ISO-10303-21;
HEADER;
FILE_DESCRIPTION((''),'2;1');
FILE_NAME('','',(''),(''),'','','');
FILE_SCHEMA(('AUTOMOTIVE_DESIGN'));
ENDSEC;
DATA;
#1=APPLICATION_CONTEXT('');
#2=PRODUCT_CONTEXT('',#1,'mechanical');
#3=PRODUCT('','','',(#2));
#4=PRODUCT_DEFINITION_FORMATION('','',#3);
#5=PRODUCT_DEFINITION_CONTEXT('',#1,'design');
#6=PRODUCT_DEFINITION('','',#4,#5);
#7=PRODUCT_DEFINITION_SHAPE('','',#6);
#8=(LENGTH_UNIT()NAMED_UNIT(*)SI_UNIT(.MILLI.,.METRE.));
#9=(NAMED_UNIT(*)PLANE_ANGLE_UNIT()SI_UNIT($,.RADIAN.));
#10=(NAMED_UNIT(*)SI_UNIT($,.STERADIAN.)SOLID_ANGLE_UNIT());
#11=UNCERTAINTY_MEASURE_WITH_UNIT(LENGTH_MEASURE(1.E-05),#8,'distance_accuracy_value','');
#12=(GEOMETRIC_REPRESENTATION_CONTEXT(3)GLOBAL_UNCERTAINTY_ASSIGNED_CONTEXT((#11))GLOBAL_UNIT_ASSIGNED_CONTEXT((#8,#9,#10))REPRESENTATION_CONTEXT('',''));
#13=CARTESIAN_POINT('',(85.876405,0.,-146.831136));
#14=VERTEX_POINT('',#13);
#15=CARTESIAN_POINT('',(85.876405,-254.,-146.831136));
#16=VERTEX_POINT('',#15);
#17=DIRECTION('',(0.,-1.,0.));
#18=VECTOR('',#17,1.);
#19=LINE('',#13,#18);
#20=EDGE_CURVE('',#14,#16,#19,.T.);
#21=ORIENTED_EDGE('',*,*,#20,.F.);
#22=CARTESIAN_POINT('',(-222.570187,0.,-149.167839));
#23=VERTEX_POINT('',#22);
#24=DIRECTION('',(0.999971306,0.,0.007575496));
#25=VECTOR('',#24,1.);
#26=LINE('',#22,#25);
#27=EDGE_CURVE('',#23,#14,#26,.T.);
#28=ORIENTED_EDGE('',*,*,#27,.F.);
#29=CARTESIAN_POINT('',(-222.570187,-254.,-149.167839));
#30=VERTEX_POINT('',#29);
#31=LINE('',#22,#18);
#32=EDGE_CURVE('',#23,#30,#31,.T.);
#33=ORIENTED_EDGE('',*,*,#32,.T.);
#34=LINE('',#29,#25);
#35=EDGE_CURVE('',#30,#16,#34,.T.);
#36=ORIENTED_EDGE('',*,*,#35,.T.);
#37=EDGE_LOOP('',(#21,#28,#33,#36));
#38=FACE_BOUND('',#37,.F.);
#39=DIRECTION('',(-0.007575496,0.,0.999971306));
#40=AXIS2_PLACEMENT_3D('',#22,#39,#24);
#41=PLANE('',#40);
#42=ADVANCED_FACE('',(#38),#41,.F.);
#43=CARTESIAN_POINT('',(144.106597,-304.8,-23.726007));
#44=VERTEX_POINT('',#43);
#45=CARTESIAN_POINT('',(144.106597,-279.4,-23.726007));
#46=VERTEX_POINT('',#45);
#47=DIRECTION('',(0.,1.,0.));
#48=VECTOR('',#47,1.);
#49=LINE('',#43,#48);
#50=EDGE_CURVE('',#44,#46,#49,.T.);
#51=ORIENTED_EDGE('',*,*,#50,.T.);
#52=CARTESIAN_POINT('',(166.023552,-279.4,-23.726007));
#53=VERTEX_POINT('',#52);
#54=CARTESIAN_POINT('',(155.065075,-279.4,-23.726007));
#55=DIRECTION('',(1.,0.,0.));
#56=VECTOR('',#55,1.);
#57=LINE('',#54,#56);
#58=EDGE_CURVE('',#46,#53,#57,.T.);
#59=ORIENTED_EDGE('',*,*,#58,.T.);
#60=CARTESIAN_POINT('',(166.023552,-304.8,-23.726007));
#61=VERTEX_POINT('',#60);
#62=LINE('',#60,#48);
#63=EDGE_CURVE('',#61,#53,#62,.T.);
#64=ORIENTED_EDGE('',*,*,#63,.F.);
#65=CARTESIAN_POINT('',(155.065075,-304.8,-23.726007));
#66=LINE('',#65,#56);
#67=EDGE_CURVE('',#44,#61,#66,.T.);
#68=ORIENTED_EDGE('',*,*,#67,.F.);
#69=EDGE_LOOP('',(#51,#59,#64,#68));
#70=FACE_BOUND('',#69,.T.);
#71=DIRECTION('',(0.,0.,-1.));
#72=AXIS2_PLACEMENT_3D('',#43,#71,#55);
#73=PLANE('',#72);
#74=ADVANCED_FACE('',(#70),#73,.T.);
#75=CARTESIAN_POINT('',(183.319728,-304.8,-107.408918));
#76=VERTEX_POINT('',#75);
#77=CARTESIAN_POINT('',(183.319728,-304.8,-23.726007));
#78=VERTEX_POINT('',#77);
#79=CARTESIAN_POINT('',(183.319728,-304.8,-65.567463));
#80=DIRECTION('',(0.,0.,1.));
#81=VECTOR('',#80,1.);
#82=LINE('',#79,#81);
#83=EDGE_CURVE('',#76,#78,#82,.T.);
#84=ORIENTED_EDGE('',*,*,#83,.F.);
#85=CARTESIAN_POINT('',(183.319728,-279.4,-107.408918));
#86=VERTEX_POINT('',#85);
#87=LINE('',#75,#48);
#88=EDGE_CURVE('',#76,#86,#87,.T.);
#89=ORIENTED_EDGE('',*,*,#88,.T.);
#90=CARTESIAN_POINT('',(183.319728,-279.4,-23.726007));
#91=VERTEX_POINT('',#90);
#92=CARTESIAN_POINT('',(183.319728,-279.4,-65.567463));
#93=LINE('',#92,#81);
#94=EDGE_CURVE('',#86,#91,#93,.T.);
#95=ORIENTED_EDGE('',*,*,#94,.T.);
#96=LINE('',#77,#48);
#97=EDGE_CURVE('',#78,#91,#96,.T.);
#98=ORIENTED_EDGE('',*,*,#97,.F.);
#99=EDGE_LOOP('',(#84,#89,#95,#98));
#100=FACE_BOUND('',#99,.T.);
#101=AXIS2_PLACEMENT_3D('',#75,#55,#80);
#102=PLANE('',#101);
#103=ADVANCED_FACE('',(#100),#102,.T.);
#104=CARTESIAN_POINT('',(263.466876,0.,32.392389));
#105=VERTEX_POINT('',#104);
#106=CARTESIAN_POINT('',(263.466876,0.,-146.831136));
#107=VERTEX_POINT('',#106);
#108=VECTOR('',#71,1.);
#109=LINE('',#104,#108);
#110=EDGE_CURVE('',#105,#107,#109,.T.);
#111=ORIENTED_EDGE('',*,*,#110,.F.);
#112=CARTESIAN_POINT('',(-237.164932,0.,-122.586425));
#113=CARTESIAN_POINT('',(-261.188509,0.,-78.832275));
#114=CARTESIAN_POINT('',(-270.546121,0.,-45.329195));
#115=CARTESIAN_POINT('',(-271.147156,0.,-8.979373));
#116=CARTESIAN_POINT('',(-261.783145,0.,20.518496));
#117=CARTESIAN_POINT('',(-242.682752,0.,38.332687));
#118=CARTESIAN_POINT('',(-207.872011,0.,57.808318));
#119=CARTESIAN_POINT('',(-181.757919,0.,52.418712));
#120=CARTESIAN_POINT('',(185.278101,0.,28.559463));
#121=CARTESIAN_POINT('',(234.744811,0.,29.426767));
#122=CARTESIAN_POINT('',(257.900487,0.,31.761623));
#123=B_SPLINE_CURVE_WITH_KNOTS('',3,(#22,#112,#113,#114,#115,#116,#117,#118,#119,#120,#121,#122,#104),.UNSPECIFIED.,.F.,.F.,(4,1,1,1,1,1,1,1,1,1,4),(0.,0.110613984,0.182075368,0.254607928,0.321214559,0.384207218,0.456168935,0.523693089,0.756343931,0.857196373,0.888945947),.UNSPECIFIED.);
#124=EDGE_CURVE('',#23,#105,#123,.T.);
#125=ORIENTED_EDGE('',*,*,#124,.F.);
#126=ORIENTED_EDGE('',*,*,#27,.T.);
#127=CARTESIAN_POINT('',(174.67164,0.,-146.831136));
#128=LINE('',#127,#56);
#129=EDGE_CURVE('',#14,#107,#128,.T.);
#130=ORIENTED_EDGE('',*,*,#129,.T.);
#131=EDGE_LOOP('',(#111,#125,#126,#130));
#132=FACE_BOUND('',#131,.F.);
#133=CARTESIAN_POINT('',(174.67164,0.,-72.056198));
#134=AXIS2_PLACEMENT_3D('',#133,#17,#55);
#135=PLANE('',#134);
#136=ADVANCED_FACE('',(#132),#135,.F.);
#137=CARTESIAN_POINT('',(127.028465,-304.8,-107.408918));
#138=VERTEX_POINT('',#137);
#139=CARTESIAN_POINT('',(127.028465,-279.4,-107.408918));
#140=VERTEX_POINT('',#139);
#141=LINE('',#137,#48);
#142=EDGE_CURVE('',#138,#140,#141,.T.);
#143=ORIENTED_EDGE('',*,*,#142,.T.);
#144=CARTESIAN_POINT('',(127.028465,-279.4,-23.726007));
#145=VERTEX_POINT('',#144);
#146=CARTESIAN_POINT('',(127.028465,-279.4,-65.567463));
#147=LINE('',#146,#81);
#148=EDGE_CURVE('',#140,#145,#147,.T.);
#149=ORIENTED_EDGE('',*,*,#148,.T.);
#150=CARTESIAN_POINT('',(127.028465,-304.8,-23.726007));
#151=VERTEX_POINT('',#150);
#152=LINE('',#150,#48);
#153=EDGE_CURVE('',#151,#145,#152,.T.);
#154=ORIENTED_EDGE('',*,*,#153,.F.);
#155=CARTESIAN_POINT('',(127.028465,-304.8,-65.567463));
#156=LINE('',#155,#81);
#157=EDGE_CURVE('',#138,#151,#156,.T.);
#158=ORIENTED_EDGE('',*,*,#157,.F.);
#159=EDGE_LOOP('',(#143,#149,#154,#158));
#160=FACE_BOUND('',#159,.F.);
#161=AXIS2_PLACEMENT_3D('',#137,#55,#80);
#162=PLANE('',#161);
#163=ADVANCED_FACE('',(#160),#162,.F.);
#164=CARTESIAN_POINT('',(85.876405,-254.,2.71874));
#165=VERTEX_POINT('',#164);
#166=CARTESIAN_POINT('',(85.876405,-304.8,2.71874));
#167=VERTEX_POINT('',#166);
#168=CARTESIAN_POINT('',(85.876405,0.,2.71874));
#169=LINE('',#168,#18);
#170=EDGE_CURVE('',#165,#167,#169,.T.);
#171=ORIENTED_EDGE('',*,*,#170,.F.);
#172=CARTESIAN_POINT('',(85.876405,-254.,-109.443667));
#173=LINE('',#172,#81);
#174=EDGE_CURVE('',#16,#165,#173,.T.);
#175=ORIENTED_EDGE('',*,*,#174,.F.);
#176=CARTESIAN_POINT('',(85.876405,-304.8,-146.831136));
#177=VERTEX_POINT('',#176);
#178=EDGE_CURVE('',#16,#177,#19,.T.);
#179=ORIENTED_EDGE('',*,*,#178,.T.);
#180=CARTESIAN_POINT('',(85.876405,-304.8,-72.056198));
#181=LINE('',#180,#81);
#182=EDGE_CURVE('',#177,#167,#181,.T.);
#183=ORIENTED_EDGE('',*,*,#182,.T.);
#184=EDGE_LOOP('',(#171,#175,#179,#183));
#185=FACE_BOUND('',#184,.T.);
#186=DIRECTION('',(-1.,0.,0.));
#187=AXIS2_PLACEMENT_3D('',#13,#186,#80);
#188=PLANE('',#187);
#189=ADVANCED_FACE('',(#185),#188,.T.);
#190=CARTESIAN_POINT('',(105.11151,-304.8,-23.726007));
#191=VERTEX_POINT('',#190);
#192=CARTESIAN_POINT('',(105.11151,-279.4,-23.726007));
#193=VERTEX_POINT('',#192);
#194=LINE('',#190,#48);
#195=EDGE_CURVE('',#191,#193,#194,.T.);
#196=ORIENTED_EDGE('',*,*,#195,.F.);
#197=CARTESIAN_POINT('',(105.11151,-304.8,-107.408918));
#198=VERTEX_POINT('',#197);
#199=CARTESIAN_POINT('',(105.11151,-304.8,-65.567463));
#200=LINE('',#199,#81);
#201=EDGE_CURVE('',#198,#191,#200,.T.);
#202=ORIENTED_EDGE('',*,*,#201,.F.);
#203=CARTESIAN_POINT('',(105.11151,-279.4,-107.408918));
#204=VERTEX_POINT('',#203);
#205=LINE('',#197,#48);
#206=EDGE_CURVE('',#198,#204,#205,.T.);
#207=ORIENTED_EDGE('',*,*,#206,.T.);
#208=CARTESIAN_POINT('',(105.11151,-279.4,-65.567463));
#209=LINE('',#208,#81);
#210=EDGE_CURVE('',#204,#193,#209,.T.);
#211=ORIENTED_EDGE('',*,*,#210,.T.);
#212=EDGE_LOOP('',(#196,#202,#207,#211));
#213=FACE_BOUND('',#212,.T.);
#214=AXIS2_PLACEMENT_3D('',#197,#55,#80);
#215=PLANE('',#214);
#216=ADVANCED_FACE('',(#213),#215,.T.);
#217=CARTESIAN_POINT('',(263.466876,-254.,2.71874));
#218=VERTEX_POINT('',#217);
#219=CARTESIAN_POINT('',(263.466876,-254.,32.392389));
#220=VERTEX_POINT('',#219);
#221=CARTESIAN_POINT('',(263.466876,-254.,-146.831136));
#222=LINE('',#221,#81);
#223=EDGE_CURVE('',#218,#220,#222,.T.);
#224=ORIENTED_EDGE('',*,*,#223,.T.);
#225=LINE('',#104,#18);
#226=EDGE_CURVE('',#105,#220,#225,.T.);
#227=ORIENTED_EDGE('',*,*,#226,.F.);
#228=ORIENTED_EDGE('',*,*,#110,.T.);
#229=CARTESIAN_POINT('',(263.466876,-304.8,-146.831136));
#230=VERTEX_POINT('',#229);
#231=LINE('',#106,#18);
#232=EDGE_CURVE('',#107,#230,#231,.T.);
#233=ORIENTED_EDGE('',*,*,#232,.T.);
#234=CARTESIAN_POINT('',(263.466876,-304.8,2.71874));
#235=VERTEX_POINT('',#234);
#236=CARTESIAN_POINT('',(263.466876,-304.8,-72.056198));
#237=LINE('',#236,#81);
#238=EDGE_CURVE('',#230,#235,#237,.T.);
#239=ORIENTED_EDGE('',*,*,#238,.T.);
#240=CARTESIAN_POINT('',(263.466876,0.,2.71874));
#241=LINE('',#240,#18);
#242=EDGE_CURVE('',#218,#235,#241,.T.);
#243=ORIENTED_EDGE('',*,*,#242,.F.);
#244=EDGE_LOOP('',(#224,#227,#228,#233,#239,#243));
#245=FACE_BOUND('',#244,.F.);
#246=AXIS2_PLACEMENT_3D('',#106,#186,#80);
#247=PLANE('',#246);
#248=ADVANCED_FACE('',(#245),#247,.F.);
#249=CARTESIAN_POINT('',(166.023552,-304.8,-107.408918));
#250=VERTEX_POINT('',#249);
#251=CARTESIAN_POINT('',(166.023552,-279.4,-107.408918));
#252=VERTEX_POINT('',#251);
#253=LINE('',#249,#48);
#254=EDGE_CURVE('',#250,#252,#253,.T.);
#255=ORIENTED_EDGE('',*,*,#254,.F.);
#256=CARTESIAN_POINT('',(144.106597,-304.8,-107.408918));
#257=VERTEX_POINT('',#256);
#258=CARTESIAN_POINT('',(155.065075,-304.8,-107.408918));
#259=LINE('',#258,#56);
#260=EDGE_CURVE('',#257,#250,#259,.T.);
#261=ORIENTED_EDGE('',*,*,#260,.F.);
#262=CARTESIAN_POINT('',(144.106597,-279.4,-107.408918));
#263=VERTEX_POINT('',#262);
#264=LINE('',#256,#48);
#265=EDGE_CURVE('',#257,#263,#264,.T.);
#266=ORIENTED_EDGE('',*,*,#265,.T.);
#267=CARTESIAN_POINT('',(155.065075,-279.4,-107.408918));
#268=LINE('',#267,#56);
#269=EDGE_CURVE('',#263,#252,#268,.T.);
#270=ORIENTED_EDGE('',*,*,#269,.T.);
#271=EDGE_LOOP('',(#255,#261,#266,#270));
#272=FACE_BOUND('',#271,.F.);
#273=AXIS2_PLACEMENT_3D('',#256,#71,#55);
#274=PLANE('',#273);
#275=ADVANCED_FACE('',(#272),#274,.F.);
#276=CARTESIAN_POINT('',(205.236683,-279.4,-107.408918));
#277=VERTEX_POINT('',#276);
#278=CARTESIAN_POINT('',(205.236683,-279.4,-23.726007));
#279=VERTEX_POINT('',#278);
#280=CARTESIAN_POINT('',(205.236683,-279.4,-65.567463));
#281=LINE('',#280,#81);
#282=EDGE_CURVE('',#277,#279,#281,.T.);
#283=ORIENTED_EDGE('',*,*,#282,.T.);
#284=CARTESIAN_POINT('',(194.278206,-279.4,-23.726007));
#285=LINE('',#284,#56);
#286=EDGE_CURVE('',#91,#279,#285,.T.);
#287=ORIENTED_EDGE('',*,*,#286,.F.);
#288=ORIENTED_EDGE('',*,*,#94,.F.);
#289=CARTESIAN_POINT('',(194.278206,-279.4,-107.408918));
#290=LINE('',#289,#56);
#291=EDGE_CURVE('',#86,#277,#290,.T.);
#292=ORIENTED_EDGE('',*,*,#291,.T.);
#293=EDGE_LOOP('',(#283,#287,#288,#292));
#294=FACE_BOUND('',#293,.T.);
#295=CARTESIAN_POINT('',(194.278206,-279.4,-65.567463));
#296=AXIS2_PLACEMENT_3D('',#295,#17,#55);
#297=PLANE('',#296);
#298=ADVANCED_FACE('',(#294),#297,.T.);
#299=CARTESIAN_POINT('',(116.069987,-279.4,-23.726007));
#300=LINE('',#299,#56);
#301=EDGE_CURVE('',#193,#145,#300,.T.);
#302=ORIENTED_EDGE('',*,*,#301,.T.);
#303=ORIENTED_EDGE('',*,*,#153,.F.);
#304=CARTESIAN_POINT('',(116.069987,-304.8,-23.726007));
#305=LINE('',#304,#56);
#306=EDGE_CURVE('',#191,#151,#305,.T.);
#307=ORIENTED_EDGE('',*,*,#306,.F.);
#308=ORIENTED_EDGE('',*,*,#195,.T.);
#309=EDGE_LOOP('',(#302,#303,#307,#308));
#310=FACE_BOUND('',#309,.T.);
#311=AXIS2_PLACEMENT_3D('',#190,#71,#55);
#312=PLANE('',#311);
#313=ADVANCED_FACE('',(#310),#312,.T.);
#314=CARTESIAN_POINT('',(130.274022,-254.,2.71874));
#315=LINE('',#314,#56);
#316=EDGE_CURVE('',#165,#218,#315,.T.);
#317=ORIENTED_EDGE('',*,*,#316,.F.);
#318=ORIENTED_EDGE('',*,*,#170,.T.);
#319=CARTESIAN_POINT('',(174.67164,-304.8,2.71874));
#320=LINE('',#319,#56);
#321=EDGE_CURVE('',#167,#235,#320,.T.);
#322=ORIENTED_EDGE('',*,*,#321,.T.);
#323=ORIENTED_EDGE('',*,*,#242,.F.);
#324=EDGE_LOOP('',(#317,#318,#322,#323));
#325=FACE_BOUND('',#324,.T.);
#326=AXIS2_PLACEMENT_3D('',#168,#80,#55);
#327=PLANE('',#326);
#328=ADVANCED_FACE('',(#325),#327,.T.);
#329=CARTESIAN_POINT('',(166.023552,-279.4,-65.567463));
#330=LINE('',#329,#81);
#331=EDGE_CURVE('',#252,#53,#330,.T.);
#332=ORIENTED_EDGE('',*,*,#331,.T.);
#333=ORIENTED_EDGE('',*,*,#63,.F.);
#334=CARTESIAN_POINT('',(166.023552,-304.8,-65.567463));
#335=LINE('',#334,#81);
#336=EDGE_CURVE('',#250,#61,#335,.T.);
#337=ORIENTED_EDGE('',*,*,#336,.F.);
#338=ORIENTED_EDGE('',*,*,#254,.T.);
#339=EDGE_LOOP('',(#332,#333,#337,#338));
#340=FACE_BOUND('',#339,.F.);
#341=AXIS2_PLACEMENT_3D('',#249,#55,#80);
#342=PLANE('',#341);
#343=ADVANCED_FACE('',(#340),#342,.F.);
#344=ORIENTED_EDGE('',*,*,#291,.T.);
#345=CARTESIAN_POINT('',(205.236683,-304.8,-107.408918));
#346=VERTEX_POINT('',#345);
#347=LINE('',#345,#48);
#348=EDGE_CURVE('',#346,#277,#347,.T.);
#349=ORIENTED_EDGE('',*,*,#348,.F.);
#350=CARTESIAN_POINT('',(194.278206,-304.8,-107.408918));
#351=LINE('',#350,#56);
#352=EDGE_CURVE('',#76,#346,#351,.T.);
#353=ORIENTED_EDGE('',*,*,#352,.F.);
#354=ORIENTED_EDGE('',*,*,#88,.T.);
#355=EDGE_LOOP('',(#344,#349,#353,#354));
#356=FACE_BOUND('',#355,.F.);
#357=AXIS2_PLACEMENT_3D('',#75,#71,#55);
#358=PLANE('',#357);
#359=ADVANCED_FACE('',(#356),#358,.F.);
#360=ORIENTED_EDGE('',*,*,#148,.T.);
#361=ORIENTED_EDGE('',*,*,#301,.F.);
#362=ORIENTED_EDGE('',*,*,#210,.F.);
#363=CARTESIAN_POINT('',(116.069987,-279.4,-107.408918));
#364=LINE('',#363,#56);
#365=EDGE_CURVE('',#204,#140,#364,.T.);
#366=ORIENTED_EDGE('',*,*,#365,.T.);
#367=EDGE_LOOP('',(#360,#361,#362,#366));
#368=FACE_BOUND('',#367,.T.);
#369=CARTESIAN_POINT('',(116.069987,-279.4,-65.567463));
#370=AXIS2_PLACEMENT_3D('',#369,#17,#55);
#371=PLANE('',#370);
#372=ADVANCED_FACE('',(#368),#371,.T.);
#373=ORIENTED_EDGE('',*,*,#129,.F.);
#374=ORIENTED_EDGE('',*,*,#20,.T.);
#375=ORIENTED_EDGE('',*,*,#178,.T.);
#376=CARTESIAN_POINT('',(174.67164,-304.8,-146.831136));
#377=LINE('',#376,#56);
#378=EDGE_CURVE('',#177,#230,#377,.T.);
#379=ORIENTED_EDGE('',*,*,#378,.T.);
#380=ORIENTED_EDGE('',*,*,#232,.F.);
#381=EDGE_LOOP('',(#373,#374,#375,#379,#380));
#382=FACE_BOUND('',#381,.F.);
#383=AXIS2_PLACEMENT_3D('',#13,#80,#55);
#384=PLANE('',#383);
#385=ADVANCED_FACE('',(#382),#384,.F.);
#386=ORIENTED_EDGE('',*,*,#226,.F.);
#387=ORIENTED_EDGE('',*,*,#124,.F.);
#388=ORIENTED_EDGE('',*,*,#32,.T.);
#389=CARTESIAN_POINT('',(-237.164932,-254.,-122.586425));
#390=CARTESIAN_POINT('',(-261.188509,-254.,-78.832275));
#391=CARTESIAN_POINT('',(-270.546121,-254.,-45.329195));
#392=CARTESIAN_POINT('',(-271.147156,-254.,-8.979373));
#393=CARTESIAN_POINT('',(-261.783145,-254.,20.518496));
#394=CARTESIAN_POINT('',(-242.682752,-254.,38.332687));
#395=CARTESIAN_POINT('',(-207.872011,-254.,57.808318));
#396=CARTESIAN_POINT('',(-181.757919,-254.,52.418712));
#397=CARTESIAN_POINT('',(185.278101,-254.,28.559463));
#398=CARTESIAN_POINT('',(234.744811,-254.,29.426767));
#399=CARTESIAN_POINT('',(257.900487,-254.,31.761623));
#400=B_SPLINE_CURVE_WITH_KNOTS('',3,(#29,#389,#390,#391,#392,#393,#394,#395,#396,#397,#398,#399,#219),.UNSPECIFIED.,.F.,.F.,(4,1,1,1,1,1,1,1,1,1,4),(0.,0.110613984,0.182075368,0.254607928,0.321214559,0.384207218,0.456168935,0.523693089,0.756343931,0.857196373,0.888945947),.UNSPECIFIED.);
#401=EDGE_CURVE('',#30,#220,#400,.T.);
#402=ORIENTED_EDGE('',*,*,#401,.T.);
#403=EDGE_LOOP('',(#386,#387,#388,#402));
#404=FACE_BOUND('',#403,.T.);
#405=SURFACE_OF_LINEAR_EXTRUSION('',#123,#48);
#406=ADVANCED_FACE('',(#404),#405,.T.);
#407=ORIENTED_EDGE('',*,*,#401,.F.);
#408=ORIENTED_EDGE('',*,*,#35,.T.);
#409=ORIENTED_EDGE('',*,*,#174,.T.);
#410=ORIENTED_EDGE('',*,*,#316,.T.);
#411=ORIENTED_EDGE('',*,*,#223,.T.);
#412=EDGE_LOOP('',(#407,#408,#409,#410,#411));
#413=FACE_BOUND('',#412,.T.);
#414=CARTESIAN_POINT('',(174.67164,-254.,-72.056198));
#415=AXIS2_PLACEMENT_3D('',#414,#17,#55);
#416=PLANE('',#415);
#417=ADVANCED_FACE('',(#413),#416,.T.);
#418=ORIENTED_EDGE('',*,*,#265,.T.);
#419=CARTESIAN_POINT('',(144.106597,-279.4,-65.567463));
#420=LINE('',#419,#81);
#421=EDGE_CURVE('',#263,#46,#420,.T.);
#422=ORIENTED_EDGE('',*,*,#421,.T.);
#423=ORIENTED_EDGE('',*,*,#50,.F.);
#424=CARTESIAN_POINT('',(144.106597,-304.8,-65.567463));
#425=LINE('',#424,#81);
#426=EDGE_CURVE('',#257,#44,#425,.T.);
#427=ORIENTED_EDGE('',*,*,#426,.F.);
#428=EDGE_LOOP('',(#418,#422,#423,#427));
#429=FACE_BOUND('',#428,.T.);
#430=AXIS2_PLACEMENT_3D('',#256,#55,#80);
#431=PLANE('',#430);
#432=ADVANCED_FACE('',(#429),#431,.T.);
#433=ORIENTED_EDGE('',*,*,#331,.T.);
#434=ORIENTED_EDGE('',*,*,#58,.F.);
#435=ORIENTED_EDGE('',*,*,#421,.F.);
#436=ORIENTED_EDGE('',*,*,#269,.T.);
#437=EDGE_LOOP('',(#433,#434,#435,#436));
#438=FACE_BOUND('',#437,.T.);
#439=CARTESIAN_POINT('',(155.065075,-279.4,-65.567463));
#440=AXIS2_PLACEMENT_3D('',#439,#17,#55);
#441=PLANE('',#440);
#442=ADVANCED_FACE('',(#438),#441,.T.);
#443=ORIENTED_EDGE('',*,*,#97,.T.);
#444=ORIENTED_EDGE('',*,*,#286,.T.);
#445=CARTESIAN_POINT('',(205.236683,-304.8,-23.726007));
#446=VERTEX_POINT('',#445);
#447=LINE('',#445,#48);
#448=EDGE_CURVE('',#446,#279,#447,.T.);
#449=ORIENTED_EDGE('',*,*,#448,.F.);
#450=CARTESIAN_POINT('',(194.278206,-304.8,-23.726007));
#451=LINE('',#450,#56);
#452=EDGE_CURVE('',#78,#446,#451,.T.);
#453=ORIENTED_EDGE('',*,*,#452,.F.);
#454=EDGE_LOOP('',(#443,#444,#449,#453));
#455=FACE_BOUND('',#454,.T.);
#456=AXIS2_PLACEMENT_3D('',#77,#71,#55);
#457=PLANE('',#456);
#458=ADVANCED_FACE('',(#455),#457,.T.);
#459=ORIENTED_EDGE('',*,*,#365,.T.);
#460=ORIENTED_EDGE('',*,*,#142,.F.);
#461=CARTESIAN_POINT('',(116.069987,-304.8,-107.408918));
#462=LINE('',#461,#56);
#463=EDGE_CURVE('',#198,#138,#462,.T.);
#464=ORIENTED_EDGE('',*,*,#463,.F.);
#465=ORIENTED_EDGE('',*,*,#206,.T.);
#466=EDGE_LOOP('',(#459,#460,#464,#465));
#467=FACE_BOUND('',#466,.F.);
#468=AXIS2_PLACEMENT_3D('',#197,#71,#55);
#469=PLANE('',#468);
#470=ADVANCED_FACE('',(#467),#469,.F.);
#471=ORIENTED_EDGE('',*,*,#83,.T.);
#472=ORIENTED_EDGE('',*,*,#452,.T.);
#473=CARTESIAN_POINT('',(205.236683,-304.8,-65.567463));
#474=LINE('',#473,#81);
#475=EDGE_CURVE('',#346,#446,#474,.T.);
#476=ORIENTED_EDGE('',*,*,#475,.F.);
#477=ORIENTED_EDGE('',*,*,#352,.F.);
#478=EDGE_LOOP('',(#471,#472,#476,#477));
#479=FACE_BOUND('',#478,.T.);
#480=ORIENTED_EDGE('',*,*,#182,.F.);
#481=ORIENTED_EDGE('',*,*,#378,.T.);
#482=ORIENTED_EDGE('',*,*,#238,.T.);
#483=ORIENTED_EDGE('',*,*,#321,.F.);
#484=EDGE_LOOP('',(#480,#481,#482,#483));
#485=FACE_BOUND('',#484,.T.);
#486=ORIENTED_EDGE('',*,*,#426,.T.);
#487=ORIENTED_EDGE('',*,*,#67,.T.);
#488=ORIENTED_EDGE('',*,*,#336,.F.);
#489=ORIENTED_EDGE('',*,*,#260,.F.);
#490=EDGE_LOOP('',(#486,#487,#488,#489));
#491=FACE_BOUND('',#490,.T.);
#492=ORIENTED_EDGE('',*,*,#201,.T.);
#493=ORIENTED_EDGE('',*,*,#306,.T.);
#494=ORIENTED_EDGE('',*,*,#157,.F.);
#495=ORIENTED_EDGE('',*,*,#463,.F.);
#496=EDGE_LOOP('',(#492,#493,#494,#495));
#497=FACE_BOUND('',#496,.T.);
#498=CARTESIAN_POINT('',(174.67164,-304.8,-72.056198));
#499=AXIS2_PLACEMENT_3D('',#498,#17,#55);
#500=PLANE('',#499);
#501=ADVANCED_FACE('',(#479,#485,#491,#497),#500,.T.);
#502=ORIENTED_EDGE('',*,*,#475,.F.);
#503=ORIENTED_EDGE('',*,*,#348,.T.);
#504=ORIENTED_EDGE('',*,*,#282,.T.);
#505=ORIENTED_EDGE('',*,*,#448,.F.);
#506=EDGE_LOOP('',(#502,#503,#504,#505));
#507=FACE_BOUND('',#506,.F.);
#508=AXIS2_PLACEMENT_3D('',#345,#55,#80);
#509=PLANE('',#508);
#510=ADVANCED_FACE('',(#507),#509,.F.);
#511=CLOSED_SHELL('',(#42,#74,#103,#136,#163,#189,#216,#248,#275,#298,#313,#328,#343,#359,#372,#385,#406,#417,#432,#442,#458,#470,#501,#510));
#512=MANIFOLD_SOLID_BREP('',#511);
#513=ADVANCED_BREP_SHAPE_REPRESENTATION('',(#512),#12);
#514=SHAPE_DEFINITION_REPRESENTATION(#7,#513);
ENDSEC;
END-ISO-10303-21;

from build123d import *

# Parameters (mm, degrees)
F0_W     = 177.5904708945
F0_H     = 149.5498765648
F1_DEPTH = 304.8
F2_DEPTH = 254
F3_W     = 21.9169557095
F3_H     = 83.6829114705
F4_DEPTH = 25.4


with BuildPart() as f1:
    # F0 (on Front) → F1 (new body)
    with BuildSketch(Plane.XZ):
        with Locations((174.671640086, -72.056198139)):
            Rectangle(F0_W, F0_H)
    extrude(amount=F1_DEPTH)

    # F0 (on Front) → F2 (join)
    with BuildSketch(Plane.XZ):
        with Locations((174.671640086, -72.056198139)):
            Rectangle(F0_W, F0_H)
        with BuildLine():
            Line((-222.5701865075, -149.1678392356), (85.8764046388, -146.8311364214))
            Line((85.8764046388, -146.8311364214), (85.8764046388, 2.7187401434))
            Line((85.8764046388, 2.7187401434), (263.4668755333, 2.7187401434))
            Line((263.4668755333, 2.7187401434), (263.4668755333, 32.3923885882))
            add(Edge.make_bspline(
                [(-222.5701865075, -149.1678392356), (-237.1649315314, -122.5864247012), (-261.1885085736, -78.8322749085), (-270.5461214626, -45.329195318), (-271.1471556129, -8.9793729481), (-261.7831450842, 20.5184958854), (-242.6827523382, 38.3326869065), (-207.8720109483, 57.8083184954), (-181.757919158, 52.41871226), (185.278100925, 28.5594628417), (234.744810532, 29.426767301), (257.9004871398, 31.761622978), (263.4668755333, 32.3923885882)],
                knots=[0, 0, 0, 0, 0.1106139844, 0.1820753683, 0.2546079281, 0.3212145586, 0.3842072182, 0.4561689355, 0.5236930887, 0.7563439309, 0.8571963726, 0.888945947, 0.888945947, 0.888945947, 0.888945947], degree=3))
        make_face()
    extrude(amount=F2_DEPTH)

    # F3 (on face) → F4 (cut)
    with BuildSketch(Plane.XZ.offset(304.8)):
        with Locations((116.0699874163, -65.5674627051)):
            Rectangle(F3_W, F3_H)
        with Locations((155.065074563, -65.5674627051)):
            Rectangle(F3_W, F3_H)
        with Locations((194.278205609, -65.5674627051)):
            Rectangle(F3_W, F3_H)
    extrude(amount=-F4_DEPTH, mode=Mode.SUBTRACT)


solid = f1.part
